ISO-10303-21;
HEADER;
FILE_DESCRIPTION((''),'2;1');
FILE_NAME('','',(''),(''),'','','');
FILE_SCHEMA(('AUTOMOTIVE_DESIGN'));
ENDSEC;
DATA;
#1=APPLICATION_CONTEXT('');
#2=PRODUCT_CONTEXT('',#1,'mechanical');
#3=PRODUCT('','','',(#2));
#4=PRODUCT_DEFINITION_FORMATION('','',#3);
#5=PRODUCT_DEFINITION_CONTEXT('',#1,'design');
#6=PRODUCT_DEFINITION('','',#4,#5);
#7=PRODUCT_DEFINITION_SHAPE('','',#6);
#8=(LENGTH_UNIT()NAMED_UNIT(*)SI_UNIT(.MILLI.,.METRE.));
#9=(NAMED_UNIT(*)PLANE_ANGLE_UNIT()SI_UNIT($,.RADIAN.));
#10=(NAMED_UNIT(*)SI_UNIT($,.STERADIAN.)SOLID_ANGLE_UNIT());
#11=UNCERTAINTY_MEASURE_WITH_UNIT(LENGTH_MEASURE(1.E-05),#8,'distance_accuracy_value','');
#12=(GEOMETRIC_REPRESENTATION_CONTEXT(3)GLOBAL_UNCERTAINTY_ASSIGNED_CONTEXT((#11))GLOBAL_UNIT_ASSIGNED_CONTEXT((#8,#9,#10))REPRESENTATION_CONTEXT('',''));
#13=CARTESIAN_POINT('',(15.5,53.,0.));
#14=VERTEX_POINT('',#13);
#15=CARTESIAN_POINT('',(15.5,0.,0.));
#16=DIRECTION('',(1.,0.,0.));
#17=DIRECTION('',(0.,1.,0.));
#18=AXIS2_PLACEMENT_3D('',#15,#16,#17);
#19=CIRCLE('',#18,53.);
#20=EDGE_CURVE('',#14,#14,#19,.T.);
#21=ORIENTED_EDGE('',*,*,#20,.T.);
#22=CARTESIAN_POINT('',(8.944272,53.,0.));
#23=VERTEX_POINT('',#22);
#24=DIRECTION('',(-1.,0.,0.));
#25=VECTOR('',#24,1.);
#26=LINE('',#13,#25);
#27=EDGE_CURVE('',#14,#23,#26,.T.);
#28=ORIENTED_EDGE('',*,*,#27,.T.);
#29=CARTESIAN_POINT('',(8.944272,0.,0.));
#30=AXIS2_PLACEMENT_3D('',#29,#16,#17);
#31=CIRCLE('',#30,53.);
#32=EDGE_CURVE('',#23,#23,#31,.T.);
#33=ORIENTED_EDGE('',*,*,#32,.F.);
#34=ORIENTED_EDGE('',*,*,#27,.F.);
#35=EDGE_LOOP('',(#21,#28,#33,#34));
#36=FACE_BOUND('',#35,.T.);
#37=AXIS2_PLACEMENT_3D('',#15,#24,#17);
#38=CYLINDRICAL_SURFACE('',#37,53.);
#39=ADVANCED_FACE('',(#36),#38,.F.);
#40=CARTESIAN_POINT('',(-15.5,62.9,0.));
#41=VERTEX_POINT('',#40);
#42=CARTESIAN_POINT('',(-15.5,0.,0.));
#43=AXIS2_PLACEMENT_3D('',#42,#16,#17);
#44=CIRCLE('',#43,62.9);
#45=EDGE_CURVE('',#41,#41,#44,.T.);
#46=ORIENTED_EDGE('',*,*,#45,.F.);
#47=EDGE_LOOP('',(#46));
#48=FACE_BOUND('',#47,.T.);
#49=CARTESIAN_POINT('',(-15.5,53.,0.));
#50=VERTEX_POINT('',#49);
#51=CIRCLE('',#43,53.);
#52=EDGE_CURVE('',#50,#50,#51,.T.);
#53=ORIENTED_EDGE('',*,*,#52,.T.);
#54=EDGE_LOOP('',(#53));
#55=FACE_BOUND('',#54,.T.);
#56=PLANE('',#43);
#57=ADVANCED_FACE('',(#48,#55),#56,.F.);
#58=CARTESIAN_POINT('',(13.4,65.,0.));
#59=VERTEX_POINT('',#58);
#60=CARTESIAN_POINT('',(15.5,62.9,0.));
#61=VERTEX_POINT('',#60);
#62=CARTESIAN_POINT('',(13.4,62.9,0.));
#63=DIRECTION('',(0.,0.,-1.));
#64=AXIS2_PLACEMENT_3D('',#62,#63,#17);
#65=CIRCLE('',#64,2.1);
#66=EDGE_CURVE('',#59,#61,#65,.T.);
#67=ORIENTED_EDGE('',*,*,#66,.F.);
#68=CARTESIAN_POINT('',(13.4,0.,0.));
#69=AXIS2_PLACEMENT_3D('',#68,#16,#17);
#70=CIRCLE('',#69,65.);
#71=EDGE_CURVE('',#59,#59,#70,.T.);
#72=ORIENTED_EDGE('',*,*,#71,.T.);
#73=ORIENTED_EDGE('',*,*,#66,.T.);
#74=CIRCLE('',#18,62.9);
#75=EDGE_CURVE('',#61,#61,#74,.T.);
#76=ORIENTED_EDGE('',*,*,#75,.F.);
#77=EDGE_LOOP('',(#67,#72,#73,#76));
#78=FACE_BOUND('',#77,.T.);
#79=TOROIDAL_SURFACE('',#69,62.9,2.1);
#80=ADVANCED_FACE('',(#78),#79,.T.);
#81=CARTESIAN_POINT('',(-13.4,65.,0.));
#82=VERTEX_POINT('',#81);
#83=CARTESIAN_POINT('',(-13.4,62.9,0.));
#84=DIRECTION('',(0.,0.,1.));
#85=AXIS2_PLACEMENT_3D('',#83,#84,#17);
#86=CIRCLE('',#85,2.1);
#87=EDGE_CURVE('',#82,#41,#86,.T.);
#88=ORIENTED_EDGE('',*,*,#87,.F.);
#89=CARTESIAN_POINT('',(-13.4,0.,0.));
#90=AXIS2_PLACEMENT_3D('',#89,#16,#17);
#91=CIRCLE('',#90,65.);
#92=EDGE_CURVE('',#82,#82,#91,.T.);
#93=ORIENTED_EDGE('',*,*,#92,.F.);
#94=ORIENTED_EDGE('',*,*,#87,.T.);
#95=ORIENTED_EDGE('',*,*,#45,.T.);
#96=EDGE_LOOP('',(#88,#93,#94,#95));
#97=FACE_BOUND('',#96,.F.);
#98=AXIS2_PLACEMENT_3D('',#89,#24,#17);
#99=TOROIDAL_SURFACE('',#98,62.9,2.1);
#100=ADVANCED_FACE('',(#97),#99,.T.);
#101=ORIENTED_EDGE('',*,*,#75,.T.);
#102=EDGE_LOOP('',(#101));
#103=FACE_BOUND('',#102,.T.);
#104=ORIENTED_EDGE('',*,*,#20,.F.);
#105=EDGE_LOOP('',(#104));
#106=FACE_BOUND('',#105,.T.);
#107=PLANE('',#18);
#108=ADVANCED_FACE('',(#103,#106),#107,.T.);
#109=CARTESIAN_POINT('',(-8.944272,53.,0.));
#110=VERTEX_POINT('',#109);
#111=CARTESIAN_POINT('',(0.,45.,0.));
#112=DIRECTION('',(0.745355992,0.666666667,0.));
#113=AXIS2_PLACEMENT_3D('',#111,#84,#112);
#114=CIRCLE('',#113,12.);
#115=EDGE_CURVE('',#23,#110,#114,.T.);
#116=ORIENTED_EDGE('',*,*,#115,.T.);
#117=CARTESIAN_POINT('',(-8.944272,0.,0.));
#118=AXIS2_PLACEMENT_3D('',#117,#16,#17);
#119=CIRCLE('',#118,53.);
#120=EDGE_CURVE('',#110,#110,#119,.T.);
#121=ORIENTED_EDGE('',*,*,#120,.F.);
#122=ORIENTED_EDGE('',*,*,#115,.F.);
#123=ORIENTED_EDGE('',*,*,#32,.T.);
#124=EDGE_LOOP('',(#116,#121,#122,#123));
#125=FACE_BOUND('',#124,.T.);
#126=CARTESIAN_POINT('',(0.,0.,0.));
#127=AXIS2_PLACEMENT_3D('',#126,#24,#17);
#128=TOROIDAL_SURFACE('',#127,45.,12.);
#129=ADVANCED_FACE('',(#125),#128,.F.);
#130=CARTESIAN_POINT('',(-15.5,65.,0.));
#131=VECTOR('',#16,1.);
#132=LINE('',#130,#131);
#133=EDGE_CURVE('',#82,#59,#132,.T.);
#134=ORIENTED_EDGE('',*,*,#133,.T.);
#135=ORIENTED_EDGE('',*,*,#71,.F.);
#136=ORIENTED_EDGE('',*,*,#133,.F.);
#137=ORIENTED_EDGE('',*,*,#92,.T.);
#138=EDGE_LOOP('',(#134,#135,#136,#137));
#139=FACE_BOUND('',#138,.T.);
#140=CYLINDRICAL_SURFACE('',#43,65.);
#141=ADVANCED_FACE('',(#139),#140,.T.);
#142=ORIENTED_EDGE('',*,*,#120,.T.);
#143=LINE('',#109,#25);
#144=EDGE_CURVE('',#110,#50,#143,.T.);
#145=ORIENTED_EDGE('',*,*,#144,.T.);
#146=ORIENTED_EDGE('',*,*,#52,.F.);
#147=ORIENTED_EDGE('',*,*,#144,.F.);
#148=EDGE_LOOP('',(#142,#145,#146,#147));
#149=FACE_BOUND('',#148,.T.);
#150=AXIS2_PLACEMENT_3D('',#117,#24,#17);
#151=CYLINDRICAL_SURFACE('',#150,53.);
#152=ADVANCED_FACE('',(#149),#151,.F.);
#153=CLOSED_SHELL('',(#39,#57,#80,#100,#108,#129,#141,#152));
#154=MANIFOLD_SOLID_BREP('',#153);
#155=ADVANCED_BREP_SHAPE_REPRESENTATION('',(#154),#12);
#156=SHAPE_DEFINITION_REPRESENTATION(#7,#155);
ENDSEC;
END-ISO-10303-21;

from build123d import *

# Parameters (mm, degrees)
FILLET1_R = 2.1


with BuildPart() as part:
    # Sketch1 → Revolve1 (revolve)
    with BuildSketch(Plane.XY):
        with BuildLine():
            Line((-15.5, 65), (15.5, 65))
            Line((15.5, 65), (15.5, 53))
            Line((15.5, 53), (8.94427191, 53))
            ThreePointArc((8.94427191, 53), (0, 57), (-8.94427191, 53))
            Line((-8.94427191, 53), (-15.5, 53))
            Line((-15.5, 53), (-15.5, 65))
        make_face()
    revolve(axis=Axis((0, 0, 0), (1, 0, 0)))

    # Fillet1
    fillet1_edges = [part.edges().sort_by_distance(p)[0] for p in [
        (-15.5, -65, 0),
        (15.5, -65, 0),
    ]]
    fillet(fillet1_edges, radius=FILLET1_R)


solid = part.part
